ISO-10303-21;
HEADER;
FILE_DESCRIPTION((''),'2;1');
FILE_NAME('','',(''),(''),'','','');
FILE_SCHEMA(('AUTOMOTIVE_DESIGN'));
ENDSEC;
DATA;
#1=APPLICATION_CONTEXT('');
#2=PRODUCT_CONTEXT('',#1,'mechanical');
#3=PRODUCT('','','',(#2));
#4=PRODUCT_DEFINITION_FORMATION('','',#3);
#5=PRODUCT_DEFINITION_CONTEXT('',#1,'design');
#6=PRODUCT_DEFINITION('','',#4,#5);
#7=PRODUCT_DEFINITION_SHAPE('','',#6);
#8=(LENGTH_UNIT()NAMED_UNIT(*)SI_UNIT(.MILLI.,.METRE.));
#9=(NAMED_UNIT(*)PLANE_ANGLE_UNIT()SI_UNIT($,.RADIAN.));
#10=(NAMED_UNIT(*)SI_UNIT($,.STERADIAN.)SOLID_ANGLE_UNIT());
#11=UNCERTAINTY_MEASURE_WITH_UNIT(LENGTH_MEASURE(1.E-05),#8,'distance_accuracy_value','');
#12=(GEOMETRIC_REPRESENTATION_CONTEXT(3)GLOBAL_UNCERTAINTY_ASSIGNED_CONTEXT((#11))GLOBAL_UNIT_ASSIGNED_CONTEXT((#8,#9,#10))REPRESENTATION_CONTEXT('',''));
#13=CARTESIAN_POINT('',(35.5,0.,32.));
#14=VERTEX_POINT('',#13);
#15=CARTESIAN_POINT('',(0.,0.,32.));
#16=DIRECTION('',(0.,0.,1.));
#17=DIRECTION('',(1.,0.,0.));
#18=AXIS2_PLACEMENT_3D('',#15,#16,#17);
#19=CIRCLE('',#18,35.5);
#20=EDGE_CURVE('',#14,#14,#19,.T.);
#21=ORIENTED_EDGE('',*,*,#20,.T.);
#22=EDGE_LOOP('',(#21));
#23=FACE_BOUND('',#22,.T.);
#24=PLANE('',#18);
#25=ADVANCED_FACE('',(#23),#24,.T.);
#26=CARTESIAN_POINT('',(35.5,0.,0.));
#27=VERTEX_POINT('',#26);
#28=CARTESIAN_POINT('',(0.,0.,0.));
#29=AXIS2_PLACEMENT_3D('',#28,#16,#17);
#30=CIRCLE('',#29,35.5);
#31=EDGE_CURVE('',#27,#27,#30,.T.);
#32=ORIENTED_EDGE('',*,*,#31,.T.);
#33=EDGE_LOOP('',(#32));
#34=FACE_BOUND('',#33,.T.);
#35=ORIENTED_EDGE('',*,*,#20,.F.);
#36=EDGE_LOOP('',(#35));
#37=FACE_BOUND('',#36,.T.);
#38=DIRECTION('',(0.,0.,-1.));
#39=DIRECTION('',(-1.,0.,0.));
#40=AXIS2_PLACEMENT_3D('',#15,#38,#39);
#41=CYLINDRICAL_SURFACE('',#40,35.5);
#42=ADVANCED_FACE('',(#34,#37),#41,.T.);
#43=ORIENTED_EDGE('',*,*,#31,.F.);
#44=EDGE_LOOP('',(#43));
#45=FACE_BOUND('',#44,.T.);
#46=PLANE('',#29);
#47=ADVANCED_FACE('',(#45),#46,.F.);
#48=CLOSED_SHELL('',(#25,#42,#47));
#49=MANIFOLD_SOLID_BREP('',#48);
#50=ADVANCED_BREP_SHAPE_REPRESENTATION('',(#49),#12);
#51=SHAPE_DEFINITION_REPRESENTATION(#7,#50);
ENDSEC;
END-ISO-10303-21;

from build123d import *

# Parameters (mm, degrees)
ESQUISSE1_R        = 35.5
BOSS_EXTRU_1_DEPTH = 32


with BuildPart() as part:
    # Esquisse1 → Boss.-Extru.1 (new body)
    with BuildSketch(Plane.XY):
        Circle(ESQUISSE1_R)
    extrude(amount=BOSS_EXTRU_1_DEPTH)


solid = part.part
